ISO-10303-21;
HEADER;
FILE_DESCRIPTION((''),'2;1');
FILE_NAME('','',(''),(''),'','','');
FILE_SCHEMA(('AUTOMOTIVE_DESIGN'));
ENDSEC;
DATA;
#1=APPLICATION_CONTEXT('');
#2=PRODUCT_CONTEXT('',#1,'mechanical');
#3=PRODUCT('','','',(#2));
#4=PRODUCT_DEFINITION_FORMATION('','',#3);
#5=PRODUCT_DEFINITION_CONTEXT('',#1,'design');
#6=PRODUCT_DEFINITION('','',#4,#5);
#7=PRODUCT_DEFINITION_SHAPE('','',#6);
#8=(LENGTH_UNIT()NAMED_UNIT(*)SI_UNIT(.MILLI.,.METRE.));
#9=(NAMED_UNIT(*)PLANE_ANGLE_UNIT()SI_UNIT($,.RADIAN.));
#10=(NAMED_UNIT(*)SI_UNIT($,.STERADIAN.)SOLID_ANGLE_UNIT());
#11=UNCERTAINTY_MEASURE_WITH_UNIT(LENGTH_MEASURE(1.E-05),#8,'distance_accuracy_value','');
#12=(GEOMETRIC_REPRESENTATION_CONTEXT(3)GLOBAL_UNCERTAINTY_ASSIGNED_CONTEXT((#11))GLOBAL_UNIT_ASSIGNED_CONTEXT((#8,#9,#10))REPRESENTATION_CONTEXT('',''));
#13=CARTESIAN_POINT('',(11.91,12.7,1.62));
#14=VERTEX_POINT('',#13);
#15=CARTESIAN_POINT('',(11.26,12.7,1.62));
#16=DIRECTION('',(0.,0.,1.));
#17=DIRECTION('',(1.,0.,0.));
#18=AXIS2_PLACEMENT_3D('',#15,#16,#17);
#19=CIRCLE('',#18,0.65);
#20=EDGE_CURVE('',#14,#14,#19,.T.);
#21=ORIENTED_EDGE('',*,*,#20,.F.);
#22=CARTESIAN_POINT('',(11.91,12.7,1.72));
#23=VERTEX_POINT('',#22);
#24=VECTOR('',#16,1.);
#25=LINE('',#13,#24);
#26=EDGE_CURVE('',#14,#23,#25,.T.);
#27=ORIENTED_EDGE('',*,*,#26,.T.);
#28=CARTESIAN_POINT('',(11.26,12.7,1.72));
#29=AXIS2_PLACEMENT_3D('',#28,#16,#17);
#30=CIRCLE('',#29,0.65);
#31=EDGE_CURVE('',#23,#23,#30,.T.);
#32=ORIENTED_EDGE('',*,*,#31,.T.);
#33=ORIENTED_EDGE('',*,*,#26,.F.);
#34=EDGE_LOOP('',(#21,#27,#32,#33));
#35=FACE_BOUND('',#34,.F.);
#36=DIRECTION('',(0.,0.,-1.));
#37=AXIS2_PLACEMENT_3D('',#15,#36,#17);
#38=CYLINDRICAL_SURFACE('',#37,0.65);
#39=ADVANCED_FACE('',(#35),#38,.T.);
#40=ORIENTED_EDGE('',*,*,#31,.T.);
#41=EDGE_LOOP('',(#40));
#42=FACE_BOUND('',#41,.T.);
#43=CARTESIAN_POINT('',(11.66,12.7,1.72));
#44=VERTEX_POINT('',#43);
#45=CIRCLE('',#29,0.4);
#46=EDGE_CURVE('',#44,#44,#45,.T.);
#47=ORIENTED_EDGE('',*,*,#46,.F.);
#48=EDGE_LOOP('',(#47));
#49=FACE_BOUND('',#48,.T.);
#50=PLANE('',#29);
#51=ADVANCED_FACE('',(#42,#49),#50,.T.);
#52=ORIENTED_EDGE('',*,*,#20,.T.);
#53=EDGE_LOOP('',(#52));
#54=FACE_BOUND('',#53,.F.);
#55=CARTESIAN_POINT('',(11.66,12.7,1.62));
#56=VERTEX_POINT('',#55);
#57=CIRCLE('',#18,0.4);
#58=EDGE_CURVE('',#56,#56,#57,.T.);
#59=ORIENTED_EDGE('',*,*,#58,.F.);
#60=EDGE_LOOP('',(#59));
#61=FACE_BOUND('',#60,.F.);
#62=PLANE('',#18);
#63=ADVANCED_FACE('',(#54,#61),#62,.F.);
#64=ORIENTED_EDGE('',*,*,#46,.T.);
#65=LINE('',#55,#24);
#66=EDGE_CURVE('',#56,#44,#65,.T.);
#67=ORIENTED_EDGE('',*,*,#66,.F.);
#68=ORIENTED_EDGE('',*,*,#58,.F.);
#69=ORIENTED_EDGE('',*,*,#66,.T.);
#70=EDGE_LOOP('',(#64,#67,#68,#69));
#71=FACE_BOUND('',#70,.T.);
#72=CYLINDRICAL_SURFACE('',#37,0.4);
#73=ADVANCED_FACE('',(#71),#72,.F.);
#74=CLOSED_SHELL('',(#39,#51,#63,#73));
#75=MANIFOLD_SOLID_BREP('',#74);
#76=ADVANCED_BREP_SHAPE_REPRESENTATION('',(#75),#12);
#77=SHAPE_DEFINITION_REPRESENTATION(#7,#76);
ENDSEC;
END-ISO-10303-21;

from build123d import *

# Parameters (mm, degrees)
CYLINDER007_R     = 0.4
CYLINDER007_DEPTH = 0.1
CYLINDER006_R     = 0.65
CYLINDER006_DEPTH = 0.1


with BuildPart() as cylinder007:
    # Cylinder007 → Cylinder007 (new body)
    with BuildSketch(Plane.XY.offset(1.62)):
        Circle(CYLINDER007_R)
    extrude(amount=CYLINDER007_DEPTH)


with BuildPart() as cut009:
    # Cylinder006 → Cylinder006 (new body)
    with BuildSketch(Plane.XY.offset(1.62)):
        Circle(CYLINDER006_R)
    extrude(amount=CYLINDER006_DEPTH)

    # Cut009: cut Cylinder007
    add(cylinder007.part, mode=Mode.SUBTRACT)


with BuildPart() as cut009_1:
    # Cut009 placement: moved
    add(cut009.part.moved(Location((11.26, 12.7, 0))))


solid = cut009_1.part
